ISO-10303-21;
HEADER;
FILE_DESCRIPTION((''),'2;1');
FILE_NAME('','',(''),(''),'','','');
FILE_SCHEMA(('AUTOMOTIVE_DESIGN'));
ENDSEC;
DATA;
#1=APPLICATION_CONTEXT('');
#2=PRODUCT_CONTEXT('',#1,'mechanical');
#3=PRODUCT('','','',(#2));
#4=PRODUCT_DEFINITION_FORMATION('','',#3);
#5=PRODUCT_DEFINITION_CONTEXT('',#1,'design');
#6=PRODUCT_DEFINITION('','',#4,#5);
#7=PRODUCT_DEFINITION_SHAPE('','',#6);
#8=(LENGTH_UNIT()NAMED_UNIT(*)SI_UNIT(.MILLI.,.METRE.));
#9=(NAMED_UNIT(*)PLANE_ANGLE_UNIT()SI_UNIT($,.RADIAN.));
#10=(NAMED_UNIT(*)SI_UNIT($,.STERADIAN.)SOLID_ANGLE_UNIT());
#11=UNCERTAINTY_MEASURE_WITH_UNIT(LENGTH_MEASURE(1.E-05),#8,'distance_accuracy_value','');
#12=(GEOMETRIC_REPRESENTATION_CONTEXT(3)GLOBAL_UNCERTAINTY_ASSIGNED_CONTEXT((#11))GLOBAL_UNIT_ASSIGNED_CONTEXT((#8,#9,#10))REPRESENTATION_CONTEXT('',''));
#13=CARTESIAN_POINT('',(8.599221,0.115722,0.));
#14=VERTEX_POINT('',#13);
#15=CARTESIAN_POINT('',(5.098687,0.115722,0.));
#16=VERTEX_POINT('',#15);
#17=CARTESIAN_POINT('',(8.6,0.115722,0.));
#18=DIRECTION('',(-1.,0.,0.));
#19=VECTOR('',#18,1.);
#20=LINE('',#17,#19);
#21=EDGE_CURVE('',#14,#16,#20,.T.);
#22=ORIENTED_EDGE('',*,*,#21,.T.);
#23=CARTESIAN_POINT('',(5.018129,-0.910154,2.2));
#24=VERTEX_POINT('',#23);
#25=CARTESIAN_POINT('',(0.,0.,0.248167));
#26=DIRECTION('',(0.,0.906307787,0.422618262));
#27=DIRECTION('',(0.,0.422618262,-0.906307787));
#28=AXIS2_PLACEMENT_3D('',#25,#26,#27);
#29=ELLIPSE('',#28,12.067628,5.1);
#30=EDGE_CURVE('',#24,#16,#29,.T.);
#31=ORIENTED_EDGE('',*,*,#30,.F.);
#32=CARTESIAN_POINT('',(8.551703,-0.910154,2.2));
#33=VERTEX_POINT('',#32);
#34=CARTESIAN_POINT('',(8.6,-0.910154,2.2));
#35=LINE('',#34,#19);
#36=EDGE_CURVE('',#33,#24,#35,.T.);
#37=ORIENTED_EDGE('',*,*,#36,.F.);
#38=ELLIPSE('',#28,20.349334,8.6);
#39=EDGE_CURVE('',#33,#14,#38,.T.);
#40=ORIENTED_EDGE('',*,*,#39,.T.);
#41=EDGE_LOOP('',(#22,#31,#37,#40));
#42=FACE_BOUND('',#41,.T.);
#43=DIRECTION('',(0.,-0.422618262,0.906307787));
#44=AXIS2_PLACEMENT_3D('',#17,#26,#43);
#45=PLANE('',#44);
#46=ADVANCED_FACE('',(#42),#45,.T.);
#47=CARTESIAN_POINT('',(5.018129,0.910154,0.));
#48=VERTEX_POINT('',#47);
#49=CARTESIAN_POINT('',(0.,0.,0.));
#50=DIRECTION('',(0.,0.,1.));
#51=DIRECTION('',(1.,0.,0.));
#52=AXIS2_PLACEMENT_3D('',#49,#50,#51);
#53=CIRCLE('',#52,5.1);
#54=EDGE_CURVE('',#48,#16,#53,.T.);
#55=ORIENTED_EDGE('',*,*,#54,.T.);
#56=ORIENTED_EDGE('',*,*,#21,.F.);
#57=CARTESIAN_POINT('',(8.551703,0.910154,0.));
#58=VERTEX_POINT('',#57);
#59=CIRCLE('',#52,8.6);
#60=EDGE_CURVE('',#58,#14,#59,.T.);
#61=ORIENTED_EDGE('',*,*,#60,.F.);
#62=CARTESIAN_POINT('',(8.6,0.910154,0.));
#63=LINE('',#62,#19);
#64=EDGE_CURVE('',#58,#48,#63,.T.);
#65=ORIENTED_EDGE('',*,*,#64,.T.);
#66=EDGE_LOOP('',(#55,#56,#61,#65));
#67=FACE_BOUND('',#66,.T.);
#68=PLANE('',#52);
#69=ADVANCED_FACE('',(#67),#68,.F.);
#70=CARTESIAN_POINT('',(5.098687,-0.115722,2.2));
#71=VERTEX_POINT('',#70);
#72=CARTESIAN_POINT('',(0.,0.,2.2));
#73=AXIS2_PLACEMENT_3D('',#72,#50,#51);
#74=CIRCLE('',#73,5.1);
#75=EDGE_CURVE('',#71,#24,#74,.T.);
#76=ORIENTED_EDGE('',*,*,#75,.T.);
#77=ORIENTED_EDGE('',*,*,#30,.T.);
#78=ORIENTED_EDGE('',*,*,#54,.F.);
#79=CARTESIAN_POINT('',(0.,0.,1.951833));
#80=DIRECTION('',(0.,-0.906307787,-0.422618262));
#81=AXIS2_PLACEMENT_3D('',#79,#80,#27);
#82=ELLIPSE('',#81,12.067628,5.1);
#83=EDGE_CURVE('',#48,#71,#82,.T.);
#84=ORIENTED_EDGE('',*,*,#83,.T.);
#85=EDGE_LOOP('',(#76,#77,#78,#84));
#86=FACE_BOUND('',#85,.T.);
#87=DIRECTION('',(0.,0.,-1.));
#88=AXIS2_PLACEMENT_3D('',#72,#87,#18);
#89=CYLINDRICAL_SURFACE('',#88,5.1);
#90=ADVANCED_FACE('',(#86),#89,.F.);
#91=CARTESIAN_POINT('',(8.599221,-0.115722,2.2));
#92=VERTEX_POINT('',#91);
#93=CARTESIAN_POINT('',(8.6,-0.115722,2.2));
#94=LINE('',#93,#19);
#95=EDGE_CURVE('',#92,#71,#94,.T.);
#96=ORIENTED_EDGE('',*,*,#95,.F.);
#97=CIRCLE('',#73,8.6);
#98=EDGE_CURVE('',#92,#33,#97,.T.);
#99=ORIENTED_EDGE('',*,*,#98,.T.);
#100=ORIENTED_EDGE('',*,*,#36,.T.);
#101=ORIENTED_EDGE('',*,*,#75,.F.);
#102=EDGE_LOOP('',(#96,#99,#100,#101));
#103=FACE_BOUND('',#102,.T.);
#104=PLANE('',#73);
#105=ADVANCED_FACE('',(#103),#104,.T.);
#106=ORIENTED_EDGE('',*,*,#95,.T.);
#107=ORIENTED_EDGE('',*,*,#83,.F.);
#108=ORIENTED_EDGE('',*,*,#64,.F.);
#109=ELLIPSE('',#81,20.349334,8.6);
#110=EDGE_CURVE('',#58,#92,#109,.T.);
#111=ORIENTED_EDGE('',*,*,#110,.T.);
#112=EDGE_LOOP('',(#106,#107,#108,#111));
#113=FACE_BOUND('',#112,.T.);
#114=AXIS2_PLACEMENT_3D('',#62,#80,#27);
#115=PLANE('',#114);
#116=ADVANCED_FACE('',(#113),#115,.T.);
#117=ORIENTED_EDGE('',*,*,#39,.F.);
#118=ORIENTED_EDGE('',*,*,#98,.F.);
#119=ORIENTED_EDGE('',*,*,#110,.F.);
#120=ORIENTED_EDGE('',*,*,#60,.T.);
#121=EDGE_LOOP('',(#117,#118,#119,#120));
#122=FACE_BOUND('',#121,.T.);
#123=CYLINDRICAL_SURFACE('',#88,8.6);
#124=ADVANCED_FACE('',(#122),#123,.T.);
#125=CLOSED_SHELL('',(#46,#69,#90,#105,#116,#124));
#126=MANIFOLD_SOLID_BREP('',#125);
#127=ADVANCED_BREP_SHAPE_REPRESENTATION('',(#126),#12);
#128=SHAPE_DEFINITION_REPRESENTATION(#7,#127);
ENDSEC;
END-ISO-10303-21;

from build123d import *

# Parameters (mm, degrees)
SKICA1_R                 = 8.6
SKICA1_R_2               = 5.1
VYSUNOUT1_DEPTH          = 2.2
ODEBRAT_VYSUNUT_M1_DEPTH = 13.359611644


with BuildPart() as part:
    # Skica1 → Vysunout1 (new body)
    with BuildSketch(Plane.XY):
        Circle(SKICA1_R)
        Circle(SKICA1_R_2, mode=Mode.SUBTRACT)
    extrude(amount=VYSUNOUT1_DEPTH)

    # Skica2 → Odebrat vysunutím1 (cut, through all)
    with BuildSketch(Plane(origin=(0, 0, 0), x_dir=(0, 0, -1), z_dir=(1, 0, 0))):
        Polygon((0, 0.115722373), (-2.2, -0.910154475), (-2.2, -0.115722373), (0, 0.910154475), align=None)
    extrude(amount=ODEBRAT_VYSUNUT_M1_DEPTH, mode=Mode.SUBTRACT)


solid = part.part
